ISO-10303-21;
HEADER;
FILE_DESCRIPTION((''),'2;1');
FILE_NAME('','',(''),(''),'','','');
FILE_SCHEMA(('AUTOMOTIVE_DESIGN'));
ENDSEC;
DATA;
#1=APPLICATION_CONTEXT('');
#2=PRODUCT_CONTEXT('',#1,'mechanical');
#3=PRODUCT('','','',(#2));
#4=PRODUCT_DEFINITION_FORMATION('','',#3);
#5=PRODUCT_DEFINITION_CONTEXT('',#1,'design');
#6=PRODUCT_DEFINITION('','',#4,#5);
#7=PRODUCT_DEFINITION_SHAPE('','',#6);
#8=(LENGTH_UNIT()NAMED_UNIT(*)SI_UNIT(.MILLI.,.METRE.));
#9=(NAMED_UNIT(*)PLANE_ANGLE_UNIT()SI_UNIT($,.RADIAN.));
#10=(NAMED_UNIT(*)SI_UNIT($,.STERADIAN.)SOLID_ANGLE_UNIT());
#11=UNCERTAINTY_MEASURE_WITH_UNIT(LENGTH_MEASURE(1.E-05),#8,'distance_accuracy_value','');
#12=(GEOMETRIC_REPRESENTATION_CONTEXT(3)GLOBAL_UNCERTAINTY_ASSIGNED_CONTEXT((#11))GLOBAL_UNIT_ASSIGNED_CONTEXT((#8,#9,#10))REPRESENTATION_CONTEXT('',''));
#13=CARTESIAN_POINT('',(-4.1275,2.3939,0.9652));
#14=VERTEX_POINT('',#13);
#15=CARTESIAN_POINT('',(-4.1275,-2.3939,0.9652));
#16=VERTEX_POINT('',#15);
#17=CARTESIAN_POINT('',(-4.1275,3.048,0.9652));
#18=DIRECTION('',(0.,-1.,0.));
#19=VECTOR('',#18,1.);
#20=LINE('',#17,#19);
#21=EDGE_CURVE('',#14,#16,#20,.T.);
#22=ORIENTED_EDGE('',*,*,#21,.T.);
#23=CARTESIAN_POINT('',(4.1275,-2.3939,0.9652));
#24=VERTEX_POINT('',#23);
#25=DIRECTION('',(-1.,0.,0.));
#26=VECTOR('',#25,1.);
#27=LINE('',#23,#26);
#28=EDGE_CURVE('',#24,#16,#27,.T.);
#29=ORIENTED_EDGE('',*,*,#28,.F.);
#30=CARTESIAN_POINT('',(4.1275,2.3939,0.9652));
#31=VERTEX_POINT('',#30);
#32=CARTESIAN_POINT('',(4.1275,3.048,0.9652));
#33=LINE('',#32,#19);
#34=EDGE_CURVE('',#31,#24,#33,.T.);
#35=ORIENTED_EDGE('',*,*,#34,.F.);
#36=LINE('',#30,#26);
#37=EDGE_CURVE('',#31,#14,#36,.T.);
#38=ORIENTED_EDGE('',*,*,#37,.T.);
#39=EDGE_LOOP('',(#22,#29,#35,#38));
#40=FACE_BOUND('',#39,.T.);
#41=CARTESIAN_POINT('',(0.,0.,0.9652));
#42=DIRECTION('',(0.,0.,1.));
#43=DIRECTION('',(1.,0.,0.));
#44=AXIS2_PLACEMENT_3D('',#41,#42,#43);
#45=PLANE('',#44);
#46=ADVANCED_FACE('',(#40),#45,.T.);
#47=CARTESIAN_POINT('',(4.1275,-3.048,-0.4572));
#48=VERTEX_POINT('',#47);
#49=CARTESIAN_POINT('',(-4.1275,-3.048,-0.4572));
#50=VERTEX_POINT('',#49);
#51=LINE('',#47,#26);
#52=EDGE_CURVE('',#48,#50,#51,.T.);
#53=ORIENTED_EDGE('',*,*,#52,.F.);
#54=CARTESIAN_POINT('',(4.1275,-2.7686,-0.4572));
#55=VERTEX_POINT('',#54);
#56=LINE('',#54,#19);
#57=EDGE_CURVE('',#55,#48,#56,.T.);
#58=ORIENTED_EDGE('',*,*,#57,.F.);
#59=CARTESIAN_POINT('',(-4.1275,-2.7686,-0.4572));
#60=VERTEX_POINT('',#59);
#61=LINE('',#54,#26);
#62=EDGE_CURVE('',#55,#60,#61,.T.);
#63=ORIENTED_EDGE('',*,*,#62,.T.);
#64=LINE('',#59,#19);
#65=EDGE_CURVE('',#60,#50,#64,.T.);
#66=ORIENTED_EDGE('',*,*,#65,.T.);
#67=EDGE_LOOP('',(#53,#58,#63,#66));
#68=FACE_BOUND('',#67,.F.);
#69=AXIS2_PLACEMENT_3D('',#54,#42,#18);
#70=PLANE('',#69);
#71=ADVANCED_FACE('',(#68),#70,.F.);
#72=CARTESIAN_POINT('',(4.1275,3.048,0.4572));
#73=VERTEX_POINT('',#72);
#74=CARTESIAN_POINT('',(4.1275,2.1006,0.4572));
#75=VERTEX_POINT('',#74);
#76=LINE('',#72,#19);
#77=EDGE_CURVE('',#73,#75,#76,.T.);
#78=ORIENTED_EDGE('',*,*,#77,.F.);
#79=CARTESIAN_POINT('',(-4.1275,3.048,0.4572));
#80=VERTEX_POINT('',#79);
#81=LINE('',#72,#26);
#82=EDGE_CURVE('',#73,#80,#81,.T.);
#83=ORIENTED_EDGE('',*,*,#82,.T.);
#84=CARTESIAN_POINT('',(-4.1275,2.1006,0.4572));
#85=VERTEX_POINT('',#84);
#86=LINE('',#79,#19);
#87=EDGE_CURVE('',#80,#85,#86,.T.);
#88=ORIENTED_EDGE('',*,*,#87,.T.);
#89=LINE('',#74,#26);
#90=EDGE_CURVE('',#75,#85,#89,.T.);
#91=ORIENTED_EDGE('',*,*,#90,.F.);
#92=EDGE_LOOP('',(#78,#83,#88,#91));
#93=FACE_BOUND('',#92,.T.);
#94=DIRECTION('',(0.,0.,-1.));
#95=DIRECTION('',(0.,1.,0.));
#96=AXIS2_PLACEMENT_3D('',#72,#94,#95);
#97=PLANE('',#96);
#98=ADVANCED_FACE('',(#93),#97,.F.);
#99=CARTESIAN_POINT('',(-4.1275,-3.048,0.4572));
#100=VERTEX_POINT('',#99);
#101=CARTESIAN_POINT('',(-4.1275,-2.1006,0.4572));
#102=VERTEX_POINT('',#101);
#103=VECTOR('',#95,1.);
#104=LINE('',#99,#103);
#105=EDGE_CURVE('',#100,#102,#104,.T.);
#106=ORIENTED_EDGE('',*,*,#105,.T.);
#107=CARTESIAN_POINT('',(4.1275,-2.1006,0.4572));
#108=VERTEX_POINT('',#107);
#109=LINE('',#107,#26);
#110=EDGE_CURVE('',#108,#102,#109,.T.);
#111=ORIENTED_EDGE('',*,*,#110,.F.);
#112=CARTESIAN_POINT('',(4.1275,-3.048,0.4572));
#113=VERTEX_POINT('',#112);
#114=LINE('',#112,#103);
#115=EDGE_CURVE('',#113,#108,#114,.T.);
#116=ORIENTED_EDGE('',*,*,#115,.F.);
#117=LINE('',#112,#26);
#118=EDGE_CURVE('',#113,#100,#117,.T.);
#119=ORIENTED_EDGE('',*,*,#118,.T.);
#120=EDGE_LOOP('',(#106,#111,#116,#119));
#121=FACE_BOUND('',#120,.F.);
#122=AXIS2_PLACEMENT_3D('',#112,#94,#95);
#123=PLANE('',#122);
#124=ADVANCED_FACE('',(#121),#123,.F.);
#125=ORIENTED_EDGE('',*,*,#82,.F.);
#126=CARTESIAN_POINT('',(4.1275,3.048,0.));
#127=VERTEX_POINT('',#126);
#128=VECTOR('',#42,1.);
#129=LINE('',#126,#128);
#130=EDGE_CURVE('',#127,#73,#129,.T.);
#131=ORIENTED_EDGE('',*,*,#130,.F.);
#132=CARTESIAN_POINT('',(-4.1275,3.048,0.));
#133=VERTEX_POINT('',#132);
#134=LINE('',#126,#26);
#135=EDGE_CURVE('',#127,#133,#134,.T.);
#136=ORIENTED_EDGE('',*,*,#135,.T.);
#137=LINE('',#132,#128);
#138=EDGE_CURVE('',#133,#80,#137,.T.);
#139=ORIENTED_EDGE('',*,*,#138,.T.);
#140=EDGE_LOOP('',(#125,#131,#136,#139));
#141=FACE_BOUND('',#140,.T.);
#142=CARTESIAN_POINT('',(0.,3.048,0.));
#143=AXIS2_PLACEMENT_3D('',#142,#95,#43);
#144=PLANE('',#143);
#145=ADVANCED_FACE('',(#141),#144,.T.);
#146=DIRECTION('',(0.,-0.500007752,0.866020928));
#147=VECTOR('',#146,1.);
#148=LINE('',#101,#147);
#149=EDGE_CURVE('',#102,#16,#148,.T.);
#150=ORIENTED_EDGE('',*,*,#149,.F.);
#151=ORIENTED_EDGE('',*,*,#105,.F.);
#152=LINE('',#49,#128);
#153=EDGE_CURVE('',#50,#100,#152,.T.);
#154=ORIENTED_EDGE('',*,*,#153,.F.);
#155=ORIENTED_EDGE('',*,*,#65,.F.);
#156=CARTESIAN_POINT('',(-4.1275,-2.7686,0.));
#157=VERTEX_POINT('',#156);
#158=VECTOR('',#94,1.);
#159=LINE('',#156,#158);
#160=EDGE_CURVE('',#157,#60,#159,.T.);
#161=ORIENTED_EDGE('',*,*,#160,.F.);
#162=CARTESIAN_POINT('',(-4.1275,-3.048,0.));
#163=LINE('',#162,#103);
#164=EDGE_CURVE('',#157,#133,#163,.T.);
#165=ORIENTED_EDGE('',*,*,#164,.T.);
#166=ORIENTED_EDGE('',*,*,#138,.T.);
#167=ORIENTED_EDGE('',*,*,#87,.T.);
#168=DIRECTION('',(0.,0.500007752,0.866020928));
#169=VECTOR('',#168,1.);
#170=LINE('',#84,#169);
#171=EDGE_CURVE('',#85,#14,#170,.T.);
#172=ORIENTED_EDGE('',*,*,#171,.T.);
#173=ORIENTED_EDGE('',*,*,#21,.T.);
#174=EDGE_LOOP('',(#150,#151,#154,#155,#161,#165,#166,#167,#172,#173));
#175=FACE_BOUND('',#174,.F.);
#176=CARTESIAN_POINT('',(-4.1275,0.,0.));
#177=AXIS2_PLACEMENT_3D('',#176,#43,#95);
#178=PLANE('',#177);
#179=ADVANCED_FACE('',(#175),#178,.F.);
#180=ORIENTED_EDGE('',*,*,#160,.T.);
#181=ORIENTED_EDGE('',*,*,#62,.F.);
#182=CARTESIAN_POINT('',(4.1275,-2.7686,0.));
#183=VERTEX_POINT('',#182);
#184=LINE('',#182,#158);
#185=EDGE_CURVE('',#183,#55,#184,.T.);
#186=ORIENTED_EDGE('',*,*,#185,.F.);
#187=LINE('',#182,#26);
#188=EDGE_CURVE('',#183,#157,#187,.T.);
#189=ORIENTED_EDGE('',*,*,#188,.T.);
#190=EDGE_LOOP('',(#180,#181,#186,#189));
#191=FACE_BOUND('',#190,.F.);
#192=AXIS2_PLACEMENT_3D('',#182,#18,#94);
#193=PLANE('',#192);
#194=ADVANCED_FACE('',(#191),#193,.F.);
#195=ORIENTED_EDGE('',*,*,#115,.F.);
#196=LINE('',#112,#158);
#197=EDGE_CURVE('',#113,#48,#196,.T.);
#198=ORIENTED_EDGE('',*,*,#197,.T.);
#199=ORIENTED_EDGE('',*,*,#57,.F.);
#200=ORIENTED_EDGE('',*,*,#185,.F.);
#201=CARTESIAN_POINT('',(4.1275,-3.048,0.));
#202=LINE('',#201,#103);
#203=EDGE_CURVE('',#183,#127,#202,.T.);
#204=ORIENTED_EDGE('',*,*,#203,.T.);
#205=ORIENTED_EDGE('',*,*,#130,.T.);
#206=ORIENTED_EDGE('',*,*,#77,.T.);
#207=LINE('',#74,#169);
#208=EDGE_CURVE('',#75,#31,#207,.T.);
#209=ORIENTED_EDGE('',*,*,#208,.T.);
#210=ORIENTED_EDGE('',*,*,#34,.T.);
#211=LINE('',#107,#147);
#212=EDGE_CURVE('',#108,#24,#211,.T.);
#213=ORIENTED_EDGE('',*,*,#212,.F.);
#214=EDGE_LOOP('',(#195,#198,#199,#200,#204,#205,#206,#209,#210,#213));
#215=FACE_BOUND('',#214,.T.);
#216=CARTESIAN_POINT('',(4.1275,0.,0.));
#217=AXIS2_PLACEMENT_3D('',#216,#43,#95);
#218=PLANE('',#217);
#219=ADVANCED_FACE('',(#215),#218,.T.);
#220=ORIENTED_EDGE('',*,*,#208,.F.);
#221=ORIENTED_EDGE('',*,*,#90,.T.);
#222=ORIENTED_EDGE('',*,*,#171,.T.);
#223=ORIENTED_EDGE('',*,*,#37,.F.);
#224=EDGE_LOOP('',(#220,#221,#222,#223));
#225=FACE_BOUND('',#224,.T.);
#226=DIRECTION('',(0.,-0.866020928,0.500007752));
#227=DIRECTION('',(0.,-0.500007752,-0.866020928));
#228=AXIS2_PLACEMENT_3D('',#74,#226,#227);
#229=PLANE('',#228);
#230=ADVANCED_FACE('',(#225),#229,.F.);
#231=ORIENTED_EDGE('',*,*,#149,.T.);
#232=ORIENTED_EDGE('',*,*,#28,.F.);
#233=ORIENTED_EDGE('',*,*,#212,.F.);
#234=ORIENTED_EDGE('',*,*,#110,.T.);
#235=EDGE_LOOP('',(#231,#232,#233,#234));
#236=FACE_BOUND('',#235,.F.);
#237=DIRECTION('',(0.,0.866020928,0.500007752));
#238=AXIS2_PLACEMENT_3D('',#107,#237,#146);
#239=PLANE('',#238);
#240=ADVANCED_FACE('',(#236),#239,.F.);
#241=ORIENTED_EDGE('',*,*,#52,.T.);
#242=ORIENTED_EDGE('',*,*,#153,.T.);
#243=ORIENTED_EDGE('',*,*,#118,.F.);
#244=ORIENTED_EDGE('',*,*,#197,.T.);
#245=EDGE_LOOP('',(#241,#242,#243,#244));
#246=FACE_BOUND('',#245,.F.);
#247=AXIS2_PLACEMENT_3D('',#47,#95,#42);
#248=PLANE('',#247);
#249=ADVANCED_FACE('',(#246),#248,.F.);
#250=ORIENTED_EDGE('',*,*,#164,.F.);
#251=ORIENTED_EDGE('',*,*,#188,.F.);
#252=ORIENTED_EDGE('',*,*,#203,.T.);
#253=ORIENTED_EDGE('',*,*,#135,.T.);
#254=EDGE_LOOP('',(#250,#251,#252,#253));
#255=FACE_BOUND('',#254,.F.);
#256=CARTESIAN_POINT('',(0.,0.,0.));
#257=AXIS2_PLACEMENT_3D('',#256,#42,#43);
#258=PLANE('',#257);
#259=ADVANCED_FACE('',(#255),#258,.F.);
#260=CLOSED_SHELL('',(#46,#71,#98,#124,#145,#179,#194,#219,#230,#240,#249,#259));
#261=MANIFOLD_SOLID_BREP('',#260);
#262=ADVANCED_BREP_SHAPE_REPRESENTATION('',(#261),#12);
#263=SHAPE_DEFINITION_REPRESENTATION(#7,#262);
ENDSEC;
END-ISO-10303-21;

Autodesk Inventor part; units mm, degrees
ref_plane "YZ Plane" through (0, 0, 0) normal (1, 0, 0) x (0, 1, 0)
ref_plane "XZ Plane" through (0, 0, 0) normal (0, 1, 0) x (-1, 0, 0)
ref_plane "XY Plane" through (0, 0, 0) normal (0, 0, 1) x (1, 0, 0)
sketch "Sketch1" plane through (0, 0, 0) normal (0, 0, 1) x (1, 0, 0)
  line L0 (0, 4.2672) -> (0, -4.2672) projected
  line L1 (-5.7785, 0) -> (5.7785, 0) projected
  line L2 (4.1275, -3.048) -> (-4.1275, -3.048)
  line L3 (-4.1275, -3.048) -> (-4.1275, 3.048)
  line L4 (-4.1275, 3.048) -> (4.1275, 3.048)
  line L5 (4.1275, 3.048) -> (4.1275, -3.048)
  line L6 (4.1275, -3.048) -> (-4.1275, 3.048) construction
  line L7 (-4.1275, -3.048) -> (4.1275, 3.048) construction
  point P0 (0, 0)
  dimension "d0" = 8.255
  dimension "d1" = 6.096
extrude "Extrusion1" add sketch "Sketch1" along normal blind 0.9652
sketch "Sketch2" plane through (4.1275, -3.048, 0) normal (1, 0, 0) x (0, 0, -1)
  line L0 (0, 0) -> (-0.9652, 0) projected
  line L1 (-0.9652, 0) -> (-0.9652, 6.096) projected
  line L2 (0, 6.096) -> (0, 0) projected
  line L3 (-0.4572, 0) -> (-0.4572, 0.9474)
  line L4 (-0.4572, 0.9474) -> (-0.9652, 0.6541)
  line L5 (-0.9652, 0.6541) -> (-0.9652, 0)
  line L6 (-0.9652, 0) -> (-0.4572, 0)
  line L7 (-1.1582, 3.048) -> (0.193, 3.048) projected
  point P0 (0, 3.048)
  dimension "d4" = 0.508
  dimension "d5" = 0.9474
  dimension "d6" = 60
  dimension "d15" = 0.6541
  dimension "d16" = 2.1006
extrude "Extrusion2" cut sketch "Sketch2" against normal blind 8.255 contours L0 L1 L4 L3
mirror "Mirror1" about plane through (0, 0, 0) normal (0, 1, 0) of "Extrusion2"
sketch "Sketch4" plane through (0, 0, 0.9652) normal (0, 0, 1) x (1, 0, 0)
  line L0 (0, 4.2672) -> (0, -4.2672) projected
  line L1 (-5.7785, 0) -> (5.7785, 0) projected
  line L2 (-4.1275, 2.3939) -> (-4.1275, -2.3939) projected
  line L3 (4.1275, -1.2192) -> (-4.1275, -1.2192)
  line L4 (-4.1275, -1.2192) -> (-4.1275, 1.2192)
  line L5 (-4.1275, 1.2192) -> (4.1275, 1.2192)
  line L6 (4.1275, 1.2192) -> (4.1275, -1.2192)
  line L7 (4.1275, -1.2192) -> (-4.1275, 1.2192) construction
  line L8 (-4.1275, -1.2192) -> (4.1275, 1.2192) construction
  point P0 (0, 0)
  dimension "d17" = 2.4384
extrude "Extrusion4" [suppressed]
sketch "Sketch5" plane through (0, 0, 0) normal (1, 0, 0) x (0, 1, 0)
  line L0 (3.048, 0) -> (-3.048, 0) projected
  line L1 (-3.048, 0) -> (-3.048, 0.4572) projected
  line L2 (3.048, 0) -> (3.048, 0.4572) projected
  line L3 (-3.048, 0) -> (-2.7686, 0)
  line L4 (-2.7686, 0) -> (-2.7686, -0.4572)
  line L5 (-2.7686, -0.4572) -> (-3.048, -0.4572)
  line L6 (-3.048, -0.4572) -> (-3.048, 0)
  line L7 (3.048, 0) -> (2.7686, 0)
  line L8 (2.7686, 0) -> (2.7686, -0.4572)
  line L9 (2.7686, -0.4572) -> (3.048, -0.4572)
  line L10 (3.048, -0.4572) -> (3.048, 0)
  point P0 (0, 0)
  dimension "d20" = 0.4572
  dimension "d21" = 5.5372
extrude "Extrusion5" add sketch "Sketch5" against normal up to surface (8.255 mm away) from surface at 4.1275 contours L4 L5 L6 L0
properties part number "J007869" material "ALUMINUM, 6061-T651"
